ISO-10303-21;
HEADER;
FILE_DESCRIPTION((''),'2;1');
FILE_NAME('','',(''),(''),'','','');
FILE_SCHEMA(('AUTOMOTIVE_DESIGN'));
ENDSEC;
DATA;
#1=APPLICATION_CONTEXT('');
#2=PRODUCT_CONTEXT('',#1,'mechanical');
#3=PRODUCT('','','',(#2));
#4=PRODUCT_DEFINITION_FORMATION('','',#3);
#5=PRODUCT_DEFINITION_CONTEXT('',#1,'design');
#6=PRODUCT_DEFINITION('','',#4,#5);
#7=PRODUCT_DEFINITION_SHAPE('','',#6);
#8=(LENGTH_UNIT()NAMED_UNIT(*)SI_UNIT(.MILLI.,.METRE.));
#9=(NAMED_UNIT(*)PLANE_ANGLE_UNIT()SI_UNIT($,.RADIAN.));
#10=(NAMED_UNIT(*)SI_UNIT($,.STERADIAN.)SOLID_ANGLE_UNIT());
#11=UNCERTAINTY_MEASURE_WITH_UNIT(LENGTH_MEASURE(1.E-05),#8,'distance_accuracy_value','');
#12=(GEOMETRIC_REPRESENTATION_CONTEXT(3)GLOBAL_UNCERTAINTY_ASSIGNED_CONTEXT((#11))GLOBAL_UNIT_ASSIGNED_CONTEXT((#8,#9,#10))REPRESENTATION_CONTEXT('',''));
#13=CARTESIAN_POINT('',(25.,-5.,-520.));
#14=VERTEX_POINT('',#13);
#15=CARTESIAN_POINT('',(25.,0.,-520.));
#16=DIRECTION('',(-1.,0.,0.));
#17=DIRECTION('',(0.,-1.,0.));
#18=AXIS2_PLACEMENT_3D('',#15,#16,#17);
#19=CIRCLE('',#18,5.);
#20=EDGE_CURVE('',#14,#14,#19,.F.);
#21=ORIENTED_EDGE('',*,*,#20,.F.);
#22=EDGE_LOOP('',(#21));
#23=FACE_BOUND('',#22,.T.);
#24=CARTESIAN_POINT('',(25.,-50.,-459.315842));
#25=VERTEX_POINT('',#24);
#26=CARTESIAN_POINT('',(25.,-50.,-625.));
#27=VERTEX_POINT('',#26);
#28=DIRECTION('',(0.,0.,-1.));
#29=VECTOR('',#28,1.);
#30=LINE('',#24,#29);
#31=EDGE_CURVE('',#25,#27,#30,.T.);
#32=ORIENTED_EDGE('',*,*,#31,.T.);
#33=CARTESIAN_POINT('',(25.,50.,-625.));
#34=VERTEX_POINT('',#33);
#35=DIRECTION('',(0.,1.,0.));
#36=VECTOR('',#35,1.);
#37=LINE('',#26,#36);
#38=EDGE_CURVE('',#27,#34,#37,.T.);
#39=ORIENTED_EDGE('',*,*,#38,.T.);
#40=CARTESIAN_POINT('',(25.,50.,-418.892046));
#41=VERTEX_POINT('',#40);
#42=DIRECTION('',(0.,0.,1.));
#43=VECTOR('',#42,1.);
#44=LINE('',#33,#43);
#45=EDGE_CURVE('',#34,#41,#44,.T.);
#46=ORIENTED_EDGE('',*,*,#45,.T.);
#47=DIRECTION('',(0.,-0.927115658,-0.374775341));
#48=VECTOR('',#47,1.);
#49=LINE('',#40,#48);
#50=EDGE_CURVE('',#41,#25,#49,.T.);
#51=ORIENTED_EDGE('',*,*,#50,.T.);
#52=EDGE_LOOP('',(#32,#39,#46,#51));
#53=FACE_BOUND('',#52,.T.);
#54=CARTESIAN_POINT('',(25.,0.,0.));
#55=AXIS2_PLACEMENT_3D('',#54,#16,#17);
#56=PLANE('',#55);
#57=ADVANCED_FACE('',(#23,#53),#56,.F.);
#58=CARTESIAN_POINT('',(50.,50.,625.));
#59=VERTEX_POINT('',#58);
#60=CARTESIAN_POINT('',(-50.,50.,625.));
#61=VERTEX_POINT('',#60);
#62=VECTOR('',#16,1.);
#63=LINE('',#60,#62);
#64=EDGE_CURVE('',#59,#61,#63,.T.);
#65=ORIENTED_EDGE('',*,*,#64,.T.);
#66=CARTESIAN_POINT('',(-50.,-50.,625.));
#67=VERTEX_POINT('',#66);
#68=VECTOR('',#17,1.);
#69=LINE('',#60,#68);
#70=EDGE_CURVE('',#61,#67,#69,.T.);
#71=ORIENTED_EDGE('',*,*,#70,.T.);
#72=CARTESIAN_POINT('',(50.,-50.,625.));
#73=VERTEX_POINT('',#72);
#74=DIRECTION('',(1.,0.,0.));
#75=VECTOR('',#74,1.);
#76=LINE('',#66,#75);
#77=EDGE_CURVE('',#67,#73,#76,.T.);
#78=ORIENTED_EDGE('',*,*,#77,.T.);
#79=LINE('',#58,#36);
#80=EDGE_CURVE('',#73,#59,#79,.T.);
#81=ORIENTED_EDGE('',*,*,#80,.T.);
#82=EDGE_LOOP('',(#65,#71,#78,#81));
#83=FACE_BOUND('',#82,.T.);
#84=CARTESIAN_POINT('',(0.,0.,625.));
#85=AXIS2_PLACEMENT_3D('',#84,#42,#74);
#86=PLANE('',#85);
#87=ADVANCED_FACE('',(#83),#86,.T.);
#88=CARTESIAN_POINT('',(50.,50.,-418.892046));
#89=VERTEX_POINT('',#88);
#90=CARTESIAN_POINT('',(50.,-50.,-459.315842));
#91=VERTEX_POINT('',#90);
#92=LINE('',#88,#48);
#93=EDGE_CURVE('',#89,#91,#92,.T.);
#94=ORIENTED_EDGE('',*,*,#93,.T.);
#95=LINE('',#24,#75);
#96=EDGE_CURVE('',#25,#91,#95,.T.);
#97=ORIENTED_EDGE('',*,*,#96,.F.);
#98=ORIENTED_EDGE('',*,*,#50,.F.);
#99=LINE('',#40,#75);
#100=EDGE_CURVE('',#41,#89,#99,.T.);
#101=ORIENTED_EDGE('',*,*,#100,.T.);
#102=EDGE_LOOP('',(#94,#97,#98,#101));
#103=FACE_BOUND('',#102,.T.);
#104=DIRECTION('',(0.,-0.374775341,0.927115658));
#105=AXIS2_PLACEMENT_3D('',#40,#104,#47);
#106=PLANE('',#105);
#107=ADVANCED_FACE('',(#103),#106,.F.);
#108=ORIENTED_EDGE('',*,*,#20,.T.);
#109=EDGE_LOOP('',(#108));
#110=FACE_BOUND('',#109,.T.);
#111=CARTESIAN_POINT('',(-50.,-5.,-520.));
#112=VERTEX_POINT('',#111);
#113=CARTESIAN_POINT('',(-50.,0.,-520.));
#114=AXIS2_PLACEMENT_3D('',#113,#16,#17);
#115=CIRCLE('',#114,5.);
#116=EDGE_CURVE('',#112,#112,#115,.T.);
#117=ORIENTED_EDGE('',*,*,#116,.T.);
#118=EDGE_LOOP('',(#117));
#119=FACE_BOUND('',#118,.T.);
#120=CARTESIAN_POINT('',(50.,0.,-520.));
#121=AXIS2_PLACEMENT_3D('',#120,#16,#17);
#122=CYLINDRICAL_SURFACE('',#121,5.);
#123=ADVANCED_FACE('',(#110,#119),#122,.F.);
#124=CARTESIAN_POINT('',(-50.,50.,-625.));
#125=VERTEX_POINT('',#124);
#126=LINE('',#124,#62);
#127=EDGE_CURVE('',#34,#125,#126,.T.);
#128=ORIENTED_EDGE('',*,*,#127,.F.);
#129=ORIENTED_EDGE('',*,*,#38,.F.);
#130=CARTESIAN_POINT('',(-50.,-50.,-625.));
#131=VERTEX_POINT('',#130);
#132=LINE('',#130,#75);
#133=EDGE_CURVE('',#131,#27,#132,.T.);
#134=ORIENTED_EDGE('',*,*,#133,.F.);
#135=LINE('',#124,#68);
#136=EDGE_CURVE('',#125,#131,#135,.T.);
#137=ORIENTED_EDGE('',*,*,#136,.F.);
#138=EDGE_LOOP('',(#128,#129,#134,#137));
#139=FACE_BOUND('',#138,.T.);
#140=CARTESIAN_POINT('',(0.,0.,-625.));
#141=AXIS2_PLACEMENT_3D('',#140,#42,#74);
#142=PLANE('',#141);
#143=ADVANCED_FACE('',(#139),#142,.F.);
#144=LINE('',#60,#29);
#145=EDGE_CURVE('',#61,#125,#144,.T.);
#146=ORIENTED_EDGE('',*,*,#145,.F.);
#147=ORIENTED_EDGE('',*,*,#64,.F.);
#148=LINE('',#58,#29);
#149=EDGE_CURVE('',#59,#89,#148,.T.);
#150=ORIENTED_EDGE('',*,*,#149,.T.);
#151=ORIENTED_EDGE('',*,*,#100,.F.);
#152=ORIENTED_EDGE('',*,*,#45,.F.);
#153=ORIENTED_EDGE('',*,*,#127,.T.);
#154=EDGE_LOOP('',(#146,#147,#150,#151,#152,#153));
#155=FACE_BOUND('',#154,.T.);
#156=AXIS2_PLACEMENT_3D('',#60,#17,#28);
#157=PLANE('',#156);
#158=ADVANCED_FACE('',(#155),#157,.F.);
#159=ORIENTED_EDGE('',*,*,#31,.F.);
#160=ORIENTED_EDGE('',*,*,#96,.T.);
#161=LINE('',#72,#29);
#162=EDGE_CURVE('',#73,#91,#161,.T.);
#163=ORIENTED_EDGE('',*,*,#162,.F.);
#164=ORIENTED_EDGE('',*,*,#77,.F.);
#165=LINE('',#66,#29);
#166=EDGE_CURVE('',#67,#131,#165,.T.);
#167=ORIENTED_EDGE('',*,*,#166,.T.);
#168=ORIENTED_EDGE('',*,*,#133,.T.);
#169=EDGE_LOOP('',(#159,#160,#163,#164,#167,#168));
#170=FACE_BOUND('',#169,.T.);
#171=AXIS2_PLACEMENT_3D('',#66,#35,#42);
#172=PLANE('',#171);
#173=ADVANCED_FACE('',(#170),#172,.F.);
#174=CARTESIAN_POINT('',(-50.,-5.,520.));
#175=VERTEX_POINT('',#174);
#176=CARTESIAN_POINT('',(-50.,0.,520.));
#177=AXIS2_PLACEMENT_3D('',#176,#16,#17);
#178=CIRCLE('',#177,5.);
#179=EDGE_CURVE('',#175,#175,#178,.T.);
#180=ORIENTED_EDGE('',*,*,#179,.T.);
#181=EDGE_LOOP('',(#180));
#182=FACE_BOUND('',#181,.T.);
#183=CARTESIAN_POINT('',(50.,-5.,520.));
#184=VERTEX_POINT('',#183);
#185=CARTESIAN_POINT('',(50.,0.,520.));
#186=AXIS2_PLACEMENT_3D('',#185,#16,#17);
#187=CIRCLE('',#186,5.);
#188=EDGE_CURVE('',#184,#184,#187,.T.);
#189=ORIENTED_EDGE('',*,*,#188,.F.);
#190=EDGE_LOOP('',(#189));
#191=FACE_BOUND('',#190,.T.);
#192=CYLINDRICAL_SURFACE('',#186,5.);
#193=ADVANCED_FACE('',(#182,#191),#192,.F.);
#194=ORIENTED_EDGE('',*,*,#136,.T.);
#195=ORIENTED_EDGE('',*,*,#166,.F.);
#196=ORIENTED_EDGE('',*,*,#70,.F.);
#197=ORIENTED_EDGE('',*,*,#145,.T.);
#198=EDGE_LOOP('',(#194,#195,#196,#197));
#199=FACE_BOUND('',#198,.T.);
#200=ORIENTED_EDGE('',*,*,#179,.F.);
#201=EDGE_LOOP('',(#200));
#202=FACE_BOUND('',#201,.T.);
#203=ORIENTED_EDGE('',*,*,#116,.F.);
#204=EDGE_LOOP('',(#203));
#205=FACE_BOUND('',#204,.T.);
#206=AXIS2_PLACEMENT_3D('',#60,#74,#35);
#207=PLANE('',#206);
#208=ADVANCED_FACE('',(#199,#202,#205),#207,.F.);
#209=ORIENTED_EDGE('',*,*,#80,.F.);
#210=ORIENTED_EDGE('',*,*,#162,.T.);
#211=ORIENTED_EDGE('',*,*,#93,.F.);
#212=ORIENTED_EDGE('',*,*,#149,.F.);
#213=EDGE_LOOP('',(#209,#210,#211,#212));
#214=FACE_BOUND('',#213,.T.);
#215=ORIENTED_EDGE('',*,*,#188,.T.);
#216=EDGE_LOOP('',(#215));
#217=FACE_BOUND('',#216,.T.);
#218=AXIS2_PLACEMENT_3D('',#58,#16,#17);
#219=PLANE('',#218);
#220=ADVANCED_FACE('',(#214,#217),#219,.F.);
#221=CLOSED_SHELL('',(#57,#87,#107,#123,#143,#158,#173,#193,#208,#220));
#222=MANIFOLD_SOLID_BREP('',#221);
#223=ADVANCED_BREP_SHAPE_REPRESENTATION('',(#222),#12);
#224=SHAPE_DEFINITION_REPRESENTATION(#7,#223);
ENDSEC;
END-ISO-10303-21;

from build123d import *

# Parameters (mm, degrees)
SKETCH1_W           = 100
SKETCH1_H           = 100
BOSS_EXTRUDE1_DEPTH = 625
SKETCH2_R           = 5
CUT_EXTRUDE1_DEPTH  = 635.92125496
CUT_EXTRUDE2_DEPTH  = 25


with BuildPart() as part:
    # Sketch1 → Boss-Extrude1 (new, symmetric)
    with BuildSketch(Plane.XY):
        Rectangle(SKETCH1_W, SKETCH1_H)
    extrude(amount=BOSS_EXTRUDE1_DEPTH, both=True)

    # Sketch2 → Cut-Extrude1 (cut, through all)
    with BuildSketch(Plane.ZY.offset(50)):
        with Locations(Location((-520, 0, 0), (0, 0, 270))):
            Circle(SKETCH2_R)
        with Locations(Location((520, 0, 0), (0, 0, 270))):
            Circle(SKETCH2_R)
    extrude(amount=-CUT_EXTRUDE1_DEPTH, mode=Mode.SUBTRACT)

    # Sketch3 → Cut-Extrude2 (cut)
    with BuildSketch(Plane(origin=(50, 0, 0), x_dir=(0, 0, -1), z_dir=(1, 0, 0))):
        Polygon((418.892046252, 50), (459.315842164, -50), (625, -50), (625, 50), align=None)
    extrude(amount=-CUT_EXTRUDE2_DEPTH, mode=Mode.SUBTRACT)


solid = part.part
